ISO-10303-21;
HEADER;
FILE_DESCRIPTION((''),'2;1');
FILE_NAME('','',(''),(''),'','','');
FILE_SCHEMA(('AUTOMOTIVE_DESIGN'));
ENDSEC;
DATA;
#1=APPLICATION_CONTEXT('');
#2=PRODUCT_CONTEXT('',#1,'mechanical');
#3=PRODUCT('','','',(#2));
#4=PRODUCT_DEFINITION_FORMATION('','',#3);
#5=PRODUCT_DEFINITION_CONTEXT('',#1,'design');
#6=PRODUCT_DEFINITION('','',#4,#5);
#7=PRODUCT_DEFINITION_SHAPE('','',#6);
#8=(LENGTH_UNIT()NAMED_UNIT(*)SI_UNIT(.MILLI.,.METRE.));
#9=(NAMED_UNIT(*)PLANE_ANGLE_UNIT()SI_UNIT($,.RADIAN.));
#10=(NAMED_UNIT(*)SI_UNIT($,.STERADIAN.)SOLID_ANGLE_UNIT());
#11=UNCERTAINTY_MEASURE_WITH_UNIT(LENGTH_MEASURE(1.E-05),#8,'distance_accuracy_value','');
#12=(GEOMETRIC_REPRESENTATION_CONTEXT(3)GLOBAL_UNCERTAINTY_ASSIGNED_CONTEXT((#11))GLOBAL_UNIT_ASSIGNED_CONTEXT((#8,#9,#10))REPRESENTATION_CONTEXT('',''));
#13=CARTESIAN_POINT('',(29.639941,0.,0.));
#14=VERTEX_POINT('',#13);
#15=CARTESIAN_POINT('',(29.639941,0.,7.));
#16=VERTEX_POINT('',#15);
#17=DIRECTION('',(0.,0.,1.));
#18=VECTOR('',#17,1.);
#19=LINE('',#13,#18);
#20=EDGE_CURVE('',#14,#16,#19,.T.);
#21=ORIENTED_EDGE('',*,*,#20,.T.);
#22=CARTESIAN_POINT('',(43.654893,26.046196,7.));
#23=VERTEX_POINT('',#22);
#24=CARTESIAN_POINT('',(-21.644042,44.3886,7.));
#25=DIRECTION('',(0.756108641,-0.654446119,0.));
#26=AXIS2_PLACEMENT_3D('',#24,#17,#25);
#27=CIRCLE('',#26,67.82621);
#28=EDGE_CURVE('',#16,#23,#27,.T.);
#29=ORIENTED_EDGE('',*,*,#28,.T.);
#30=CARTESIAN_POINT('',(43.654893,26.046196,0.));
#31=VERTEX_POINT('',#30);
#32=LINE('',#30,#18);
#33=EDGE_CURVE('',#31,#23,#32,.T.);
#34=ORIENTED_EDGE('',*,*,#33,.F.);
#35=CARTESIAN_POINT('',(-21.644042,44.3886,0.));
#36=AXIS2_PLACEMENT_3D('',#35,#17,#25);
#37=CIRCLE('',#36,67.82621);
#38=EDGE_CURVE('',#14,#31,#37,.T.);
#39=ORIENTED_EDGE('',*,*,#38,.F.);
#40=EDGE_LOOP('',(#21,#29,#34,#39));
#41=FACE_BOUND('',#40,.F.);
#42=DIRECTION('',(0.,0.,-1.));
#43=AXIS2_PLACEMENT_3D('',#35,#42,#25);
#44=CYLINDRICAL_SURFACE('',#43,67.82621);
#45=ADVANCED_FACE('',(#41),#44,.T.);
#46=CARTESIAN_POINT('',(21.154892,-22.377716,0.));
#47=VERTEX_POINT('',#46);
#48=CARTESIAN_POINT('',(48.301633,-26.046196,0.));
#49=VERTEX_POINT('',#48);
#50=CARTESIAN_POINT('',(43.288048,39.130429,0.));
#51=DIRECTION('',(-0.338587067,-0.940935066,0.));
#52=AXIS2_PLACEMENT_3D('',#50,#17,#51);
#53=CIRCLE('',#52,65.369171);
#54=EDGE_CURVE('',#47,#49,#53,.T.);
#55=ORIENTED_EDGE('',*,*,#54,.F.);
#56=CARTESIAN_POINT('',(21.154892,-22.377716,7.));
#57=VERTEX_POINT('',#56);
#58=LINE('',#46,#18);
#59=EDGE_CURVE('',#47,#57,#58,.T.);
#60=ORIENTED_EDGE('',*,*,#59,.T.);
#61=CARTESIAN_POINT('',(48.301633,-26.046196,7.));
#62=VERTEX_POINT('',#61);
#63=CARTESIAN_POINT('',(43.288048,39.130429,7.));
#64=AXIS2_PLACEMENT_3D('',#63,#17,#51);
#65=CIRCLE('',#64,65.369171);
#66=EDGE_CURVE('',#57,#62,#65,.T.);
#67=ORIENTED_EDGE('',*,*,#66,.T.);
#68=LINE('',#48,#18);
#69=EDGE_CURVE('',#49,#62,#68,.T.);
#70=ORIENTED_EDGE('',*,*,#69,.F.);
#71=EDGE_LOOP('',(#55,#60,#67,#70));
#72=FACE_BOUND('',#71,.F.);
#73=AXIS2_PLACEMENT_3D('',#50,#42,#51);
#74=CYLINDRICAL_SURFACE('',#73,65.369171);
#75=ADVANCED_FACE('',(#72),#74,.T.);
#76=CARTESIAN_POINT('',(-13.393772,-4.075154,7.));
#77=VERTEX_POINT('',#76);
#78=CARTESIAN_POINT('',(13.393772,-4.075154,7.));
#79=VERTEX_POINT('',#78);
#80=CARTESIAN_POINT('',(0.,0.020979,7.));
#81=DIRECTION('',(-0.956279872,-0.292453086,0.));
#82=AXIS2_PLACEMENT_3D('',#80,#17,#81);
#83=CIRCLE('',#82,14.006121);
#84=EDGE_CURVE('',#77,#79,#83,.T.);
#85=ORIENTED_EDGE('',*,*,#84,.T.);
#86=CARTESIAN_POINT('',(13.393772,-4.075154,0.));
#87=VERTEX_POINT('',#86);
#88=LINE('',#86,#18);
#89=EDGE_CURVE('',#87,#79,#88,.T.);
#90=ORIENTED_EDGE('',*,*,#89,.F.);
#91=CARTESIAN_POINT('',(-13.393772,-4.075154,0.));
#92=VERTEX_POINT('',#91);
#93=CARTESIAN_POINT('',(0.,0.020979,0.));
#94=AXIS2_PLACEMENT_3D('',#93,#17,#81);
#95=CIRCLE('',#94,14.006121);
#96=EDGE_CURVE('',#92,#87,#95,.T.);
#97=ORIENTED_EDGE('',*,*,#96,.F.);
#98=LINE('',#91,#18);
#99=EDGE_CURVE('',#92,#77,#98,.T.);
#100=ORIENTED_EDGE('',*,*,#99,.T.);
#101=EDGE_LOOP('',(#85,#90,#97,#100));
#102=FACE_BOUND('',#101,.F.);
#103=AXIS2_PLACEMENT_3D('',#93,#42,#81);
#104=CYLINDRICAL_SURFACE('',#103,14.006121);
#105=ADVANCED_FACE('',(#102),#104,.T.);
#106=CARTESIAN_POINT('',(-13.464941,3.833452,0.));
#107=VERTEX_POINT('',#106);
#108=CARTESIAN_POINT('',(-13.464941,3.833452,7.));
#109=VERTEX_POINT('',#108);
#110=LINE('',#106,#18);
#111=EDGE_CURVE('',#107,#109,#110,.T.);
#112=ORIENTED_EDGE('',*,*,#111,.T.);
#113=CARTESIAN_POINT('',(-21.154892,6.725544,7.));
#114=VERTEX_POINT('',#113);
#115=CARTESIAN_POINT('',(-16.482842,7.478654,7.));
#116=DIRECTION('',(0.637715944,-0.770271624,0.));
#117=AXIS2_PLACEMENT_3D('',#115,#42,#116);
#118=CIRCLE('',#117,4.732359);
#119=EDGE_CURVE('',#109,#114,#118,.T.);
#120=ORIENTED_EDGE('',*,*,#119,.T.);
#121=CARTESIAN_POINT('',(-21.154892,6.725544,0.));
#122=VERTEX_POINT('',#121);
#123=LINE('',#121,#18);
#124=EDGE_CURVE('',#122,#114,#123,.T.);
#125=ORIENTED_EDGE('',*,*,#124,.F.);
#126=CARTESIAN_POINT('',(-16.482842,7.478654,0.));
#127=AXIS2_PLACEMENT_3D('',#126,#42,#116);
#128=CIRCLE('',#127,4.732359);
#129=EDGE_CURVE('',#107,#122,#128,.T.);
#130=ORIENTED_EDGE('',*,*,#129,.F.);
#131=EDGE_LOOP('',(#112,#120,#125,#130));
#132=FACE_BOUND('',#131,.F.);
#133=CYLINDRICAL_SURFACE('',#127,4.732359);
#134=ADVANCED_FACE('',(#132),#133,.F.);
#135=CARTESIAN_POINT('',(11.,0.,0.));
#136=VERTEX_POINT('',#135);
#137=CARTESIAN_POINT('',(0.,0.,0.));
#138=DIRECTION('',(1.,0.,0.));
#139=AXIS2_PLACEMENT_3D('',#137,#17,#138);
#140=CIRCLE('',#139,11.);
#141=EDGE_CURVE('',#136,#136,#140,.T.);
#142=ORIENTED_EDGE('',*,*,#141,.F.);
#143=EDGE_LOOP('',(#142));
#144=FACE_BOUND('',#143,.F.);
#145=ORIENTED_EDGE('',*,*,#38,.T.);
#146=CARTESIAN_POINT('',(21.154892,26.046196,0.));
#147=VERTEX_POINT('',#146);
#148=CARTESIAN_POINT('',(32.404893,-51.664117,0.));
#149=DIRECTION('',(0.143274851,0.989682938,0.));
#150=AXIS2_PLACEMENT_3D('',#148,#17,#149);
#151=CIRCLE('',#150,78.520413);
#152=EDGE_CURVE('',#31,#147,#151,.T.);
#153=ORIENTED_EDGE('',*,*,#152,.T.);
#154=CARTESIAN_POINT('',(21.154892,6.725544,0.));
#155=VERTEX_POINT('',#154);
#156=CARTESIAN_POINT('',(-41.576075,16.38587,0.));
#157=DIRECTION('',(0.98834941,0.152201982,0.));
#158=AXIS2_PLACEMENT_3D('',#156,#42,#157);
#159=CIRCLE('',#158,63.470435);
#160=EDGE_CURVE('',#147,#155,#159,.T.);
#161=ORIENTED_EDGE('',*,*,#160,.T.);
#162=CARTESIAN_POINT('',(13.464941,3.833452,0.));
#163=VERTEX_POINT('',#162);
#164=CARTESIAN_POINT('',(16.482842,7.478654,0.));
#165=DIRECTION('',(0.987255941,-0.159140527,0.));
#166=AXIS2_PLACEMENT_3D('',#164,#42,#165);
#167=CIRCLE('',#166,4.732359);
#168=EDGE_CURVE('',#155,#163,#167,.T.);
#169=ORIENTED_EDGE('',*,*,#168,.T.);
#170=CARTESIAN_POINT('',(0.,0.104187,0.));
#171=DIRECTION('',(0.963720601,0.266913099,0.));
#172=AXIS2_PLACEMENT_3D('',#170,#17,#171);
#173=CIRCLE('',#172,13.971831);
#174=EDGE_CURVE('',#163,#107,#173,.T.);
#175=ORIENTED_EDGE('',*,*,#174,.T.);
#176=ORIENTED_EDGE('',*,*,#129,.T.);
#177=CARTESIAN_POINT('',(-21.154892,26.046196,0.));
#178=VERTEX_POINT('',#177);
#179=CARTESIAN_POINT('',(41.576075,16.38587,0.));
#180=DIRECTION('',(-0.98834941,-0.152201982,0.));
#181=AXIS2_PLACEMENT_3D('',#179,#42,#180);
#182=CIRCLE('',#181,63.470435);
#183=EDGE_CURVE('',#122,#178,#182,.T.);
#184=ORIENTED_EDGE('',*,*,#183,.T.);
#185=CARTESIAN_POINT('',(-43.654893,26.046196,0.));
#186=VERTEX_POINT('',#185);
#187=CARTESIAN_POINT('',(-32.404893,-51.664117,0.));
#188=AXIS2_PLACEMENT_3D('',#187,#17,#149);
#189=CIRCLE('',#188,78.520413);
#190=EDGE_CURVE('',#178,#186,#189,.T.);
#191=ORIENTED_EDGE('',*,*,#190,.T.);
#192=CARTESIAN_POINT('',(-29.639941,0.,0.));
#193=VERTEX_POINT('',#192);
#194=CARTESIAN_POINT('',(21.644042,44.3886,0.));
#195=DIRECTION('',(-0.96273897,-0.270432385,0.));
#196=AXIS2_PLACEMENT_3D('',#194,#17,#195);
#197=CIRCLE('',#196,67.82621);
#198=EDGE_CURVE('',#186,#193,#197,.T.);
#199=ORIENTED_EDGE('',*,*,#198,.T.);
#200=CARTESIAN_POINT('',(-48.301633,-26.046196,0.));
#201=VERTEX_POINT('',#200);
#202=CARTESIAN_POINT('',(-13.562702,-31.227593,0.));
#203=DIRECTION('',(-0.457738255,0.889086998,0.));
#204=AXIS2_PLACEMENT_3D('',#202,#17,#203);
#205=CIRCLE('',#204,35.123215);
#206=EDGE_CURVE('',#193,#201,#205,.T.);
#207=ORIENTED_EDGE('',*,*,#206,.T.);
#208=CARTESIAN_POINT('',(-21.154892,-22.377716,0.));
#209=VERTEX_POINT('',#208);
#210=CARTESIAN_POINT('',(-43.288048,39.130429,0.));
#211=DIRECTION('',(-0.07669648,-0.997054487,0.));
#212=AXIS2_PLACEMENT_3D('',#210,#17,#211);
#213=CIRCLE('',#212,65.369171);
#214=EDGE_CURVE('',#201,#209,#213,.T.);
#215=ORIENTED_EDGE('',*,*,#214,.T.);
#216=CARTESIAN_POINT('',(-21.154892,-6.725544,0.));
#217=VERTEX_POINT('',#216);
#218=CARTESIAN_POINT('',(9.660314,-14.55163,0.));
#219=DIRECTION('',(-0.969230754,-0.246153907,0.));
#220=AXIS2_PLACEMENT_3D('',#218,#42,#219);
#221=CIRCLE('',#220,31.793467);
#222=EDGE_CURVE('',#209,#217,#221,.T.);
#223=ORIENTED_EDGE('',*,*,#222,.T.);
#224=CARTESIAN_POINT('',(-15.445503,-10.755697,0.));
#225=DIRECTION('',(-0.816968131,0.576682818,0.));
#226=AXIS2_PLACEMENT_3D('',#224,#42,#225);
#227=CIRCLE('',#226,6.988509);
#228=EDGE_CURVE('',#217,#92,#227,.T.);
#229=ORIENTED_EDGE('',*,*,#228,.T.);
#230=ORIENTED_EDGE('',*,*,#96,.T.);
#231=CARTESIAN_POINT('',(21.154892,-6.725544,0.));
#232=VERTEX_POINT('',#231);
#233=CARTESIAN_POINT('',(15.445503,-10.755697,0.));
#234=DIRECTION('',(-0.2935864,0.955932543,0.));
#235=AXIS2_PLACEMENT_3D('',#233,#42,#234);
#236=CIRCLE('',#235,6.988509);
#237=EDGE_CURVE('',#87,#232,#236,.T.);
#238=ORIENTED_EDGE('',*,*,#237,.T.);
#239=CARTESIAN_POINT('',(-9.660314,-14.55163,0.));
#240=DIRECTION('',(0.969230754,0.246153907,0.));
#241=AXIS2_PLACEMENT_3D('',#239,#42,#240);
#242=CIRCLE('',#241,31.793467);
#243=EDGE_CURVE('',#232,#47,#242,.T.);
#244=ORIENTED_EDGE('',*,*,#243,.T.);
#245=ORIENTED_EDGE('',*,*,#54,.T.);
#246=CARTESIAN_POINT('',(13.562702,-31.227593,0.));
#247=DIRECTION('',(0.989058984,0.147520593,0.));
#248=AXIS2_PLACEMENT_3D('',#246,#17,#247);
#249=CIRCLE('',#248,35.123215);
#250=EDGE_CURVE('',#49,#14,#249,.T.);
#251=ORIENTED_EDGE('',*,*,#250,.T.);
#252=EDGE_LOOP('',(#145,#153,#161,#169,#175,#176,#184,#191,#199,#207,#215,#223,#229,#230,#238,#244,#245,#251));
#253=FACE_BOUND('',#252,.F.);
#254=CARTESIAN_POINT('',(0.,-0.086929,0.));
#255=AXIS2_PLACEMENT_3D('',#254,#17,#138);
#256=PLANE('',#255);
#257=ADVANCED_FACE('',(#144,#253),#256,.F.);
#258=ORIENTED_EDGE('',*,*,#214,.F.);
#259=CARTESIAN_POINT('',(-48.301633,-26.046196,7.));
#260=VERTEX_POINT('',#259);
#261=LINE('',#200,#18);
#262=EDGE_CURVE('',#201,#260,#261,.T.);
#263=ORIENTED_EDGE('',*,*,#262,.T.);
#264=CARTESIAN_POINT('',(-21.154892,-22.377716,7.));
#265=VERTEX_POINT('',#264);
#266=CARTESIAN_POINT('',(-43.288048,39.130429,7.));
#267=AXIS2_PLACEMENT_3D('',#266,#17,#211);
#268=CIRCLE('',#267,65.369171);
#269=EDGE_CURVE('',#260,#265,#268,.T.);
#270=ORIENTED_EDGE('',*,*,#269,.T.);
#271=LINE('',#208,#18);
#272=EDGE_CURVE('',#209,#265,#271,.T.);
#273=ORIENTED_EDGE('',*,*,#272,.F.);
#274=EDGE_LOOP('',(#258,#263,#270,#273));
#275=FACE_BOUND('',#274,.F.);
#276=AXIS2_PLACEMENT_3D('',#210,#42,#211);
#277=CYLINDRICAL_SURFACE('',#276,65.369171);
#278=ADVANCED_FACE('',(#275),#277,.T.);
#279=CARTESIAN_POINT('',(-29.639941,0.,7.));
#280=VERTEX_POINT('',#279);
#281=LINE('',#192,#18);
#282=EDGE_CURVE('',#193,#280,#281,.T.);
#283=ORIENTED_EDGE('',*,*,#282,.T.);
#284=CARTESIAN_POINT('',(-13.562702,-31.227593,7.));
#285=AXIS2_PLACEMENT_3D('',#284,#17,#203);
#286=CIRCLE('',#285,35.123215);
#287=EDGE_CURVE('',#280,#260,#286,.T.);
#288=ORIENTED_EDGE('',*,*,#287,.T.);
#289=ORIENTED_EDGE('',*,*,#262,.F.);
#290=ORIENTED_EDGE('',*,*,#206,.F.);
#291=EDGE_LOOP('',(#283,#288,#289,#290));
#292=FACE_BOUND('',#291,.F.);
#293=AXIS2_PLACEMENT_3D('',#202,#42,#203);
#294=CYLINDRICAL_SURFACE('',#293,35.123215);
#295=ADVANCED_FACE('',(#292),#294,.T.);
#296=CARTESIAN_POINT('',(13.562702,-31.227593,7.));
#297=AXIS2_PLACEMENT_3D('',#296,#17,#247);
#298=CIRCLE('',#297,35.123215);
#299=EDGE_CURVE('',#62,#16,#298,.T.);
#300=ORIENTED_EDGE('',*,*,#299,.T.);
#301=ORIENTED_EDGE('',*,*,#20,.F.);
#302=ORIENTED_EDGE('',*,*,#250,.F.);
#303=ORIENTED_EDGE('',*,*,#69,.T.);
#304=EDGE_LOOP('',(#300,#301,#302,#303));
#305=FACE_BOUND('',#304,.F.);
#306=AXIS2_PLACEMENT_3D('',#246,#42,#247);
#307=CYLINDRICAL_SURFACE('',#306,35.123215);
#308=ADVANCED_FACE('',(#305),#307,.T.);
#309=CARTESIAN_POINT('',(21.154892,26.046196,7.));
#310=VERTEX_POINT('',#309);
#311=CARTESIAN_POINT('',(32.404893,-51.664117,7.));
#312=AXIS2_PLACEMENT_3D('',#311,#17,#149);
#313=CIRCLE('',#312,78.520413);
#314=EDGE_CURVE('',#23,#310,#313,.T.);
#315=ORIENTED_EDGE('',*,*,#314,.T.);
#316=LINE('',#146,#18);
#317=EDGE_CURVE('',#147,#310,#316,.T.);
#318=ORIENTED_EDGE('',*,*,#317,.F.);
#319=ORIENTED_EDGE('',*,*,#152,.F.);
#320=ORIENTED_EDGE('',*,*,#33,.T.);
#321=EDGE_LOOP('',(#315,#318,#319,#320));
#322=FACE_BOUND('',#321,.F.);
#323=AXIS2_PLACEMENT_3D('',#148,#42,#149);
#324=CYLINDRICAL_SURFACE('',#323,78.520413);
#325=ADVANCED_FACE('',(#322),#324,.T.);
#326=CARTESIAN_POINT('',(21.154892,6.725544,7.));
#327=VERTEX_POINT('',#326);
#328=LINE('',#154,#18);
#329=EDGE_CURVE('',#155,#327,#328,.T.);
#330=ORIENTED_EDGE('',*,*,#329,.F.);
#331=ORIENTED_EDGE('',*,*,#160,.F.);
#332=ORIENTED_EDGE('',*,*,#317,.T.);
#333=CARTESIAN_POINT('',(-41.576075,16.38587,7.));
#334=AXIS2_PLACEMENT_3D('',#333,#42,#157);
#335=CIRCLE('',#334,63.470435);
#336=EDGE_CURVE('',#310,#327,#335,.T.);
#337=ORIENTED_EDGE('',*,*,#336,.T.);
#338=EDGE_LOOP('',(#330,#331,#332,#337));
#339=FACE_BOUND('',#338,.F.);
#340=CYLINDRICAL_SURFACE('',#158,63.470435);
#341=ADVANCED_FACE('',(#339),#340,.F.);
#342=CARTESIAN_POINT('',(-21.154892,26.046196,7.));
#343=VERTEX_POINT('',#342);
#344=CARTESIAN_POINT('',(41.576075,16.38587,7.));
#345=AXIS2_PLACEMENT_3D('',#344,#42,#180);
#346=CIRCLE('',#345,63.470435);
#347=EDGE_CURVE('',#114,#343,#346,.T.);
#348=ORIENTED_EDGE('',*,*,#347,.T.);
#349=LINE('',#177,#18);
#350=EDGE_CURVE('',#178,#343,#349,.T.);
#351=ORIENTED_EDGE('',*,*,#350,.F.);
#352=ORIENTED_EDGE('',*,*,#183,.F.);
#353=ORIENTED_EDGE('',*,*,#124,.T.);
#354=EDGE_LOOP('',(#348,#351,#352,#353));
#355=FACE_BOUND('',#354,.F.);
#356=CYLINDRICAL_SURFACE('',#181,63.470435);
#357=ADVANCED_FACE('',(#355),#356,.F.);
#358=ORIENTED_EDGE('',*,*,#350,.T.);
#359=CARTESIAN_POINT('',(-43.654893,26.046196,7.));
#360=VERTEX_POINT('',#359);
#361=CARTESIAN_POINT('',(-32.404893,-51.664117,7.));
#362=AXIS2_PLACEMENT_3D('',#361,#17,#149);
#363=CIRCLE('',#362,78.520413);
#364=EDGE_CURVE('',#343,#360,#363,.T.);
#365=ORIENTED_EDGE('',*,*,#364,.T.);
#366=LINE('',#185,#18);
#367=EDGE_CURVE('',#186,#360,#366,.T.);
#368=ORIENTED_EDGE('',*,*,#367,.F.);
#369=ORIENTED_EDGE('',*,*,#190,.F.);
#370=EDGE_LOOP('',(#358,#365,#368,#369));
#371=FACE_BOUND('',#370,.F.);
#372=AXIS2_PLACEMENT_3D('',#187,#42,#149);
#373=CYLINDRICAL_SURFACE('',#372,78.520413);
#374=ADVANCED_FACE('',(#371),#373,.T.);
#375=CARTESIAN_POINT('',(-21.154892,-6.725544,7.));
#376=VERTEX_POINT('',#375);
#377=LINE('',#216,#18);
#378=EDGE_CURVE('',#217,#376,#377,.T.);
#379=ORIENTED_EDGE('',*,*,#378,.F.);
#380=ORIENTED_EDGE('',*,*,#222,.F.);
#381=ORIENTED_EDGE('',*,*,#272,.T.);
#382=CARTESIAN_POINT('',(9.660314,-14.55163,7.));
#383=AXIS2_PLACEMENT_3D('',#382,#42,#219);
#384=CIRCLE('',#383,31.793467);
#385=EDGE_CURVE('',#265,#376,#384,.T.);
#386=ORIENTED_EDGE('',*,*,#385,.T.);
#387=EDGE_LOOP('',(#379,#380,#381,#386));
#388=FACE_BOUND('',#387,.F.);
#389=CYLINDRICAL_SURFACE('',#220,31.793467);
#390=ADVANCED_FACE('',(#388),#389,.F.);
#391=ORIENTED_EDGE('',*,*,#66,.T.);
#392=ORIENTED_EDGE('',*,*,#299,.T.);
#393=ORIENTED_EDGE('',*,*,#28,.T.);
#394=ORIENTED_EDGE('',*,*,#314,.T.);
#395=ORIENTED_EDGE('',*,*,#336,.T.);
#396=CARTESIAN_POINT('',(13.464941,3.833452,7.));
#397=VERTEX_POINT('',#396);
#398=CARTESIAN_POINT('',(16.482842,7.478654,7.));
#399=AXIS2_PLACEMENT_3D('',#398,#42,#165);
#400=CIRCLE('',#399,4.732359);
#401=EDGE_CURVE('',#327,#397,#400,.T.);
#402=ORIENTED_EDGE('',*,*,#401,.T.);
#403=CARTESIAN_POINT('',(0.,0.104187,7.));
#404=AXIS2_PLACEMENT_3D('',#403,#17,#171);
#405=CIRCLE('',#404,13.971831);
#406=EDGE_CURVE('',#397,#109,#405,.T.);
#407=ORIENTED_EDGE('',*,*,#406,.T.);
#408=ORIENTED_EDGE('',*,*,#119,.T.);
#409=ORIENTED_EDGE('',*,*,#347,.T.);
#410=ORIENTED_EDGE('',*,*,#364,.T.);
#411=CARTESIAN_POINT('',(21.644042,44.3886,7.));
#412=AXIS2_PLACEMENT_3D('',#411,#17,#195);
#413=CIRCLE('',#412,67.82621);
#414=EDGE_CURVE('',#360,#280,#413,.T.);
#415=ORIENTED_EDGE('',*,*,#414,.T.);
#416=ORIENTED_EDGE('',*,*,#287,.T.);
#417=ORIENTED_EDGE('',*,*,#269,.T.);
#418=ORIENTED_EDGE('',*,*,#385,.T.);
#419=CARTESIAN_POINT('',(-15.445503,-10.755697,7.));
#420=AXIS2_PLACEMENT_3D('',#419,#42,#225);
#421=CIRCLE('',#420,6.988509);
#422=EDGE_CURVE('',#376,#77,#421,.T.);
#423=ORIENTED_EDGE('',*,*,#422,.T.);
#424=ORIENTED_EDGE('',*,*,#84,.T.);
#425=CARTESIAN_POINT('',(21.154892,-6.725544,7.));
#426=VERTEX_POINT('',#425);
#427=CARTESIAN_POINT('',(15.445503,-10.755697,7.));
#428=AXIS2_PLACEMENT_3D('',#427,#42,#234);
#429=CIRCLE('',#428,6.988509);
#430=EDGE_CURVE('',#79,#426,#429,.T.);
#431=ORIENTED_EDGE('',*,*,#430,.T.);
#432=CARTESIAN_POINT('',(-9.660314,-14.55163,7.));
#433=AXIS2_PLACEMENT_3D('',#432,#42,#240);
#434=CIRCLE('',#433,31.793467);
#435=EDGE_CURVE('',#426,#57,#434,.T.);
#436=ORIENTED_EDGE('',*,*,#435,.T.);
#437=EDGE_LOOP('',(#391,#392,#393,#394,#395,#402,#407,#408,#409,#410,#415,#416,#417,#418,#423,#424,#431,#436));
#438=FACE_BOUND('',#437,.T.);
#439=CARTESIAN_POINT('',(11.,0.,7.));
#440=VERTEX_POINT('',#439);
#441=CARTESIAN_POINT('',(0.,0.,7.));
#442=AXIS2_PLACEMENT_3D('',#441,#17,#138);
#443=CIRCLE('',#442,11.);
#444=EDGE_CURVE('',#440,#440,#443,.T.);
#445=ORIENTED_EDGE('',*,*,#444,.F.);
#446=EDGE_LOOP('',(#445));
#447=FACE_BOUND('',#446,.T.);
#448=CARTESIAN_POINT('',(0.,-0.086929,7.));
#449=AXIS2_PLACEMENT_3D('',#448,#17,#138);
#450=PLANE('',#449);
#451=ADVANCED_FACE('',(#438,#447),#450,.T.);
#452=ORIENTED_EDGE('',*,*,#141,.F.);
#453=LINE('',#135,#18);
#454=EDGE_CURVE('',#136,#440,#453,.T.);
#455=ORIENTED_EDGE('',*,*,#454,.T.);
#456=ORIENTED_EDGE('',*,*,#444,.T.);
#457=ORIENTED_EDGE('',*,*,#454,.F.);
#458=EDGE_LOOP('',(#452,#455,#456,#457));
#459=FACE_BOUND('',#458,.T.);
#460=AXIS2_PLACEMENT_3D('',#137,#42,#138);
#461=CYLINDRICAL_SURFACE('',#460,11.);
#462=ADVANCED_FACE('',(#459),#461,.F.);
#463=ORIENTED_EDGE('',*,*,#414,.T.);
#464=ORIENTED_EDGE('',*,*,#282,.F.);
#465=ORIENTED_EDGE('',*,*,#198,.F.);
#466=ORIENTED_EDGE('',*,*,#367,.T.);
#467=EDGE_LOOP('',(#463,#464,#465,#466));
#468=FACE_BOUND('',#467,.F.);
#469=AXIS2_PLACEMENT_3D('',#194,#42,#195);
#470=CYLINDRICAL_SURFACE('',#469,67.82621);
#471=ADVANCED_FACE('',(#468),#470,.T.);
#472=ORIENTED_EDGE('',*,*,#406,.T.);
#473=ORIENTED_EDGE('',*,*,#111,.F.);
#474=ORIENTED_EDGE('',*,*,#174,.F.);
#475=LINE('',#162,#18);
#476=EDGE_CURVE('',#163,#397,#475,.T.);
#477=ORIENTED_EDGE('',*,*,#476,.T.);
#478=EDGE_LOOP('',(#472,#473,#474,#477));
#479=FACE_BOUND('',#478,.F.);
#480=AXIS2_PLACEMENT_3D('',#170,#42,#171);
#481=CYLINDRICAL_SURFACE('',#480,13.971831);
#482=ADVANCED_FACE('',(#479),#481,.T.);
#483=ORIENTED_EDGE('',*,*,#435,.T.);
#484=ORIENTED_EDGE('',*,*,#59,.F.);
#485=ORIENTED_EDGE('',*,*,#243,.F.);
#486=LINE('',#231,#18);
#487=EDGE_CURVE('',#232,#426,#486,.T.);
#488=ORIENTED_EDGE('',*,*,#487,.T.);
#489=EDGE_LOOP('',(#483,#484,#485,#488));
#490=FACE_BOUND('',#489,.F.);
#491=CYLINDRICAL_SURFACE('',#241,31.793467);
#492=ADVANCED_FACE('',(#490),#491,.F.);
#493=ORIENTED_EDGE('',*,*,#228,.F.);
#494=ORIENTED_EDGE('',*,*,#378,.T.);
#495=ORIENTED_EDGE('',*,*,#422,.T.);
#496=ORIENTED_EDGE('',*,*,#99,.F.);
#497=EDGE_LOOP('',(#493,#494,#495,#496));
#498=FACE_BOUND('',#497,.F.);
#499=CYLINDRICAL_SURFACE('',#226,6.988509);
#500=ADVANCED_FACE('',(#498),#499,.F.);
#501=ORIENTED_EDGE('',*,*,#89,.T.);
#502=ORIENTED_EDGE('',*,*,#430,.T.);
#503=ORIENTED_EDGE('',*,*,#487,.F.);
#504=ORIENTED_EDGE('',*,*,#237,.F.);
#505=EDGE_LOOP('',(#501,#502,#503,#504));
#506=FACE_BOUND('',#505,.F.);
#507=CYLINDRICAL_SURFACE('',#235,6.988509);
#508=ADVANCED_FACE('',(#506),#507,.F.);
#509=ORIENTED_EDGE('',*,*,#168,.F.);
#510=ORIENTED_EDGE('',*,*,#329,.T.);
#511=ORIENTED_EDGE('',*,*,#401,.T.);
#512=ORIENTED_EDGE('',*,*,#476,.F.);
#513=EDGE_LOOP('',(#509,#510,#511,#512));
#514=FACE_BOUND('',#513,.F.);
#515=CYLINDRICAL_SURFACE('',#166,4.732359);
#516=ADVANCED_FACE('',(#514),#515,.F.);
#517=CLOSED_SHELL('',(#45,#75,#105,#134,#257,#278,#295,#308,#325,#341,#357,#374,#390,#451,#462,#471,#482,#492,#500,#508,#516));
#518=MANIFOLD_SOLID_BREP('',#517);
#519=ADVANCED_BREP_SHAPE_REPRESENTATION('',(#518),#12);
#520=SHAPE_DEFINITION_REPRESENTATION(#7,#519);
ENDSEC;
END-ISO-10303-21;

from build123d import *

# Parameters (mm, degrees)
F0_R     = 11
F1_DEPTH = 7


with BuildPart() as f1:
    # F0 (on Top) → F1 (new body)
    with BuildSketch(Plane.XY):
        with BuildLine():
            ThreePointArc((-13.464941, 3.833452), (-18.148705, 3.049193), (-21.154892, 6.725544))
            ThreePointArc((-21.154892, 6.725544), (-21.89436, 16.38587), (-21.154892, 26.046196))
            ThreePointArc((-21.154892, 26.046196), (-32.404892, 26.856296), (-43.654893, 26.046196))
            ThreePointArc((-43.654893, 26.046196), (-38.084471, 12.249847), (-29.639941, 0))
            ThreePointArc((-29.639941, 0), (-42.113917, -10.771095), (-48.301633, -26.046196))
            ThreePointArc((-48.301633, -26.046196), (-34.533943, -25.649924), (-21.154892, -22.377716))
            ThreePointArc((-21.154892, -22.377716), (-22.133153, -14.55163), (-21.154892, -6.725544))
            ThreePointArc((-21.154892, -6.725544), (-17.703988, -4.142188), (-13.393772, -4.075154))
            ThreePointArc((-13.393772, -4.075154), (0, -13.985142), (13.393772, -4.075154))
            ThreePointArc((13.393772, -4.075154), (17.703988, -4.142188), (21.154892, -6.725544))
            ThreePointArc((21.154892, -6.725544), (22.133153, -14.55163), (21.154892, -22.377716))
            ThreePointArc((21.154892, -22.377716), (34.533943, -25.649924), (48.301633, -26.046196))
            ThreePointArc((48.301633, -26.046196), (42.113917, -10.771095), (29.639941, 0))
            ThreePointArc((29.639941, 0), (38.084471, 12.249847), (43.654893, 26.046196))
            ThreePointArc((43.654893, 26.046196), (32.404892, 26.856296), (21.154892, 26.046196))
            ThreePointArc((21.154892, 26.046196), (21.89436, 16.38587), (21.154892, 6.725544))
            ThreePointArc((21.154892, 6.725544), (18.148705, 3.049193), (13.464941, 3.833452))
            ThreePointArc((13.464941, 3.833452), (0, 14.076018), (-13.464941, 3.833452))
        make_face()
        Circle(F0_R, mode=Mode.SUBTRACT)
    extrude(amount=F1_DEPTH)


solid = f1.part
